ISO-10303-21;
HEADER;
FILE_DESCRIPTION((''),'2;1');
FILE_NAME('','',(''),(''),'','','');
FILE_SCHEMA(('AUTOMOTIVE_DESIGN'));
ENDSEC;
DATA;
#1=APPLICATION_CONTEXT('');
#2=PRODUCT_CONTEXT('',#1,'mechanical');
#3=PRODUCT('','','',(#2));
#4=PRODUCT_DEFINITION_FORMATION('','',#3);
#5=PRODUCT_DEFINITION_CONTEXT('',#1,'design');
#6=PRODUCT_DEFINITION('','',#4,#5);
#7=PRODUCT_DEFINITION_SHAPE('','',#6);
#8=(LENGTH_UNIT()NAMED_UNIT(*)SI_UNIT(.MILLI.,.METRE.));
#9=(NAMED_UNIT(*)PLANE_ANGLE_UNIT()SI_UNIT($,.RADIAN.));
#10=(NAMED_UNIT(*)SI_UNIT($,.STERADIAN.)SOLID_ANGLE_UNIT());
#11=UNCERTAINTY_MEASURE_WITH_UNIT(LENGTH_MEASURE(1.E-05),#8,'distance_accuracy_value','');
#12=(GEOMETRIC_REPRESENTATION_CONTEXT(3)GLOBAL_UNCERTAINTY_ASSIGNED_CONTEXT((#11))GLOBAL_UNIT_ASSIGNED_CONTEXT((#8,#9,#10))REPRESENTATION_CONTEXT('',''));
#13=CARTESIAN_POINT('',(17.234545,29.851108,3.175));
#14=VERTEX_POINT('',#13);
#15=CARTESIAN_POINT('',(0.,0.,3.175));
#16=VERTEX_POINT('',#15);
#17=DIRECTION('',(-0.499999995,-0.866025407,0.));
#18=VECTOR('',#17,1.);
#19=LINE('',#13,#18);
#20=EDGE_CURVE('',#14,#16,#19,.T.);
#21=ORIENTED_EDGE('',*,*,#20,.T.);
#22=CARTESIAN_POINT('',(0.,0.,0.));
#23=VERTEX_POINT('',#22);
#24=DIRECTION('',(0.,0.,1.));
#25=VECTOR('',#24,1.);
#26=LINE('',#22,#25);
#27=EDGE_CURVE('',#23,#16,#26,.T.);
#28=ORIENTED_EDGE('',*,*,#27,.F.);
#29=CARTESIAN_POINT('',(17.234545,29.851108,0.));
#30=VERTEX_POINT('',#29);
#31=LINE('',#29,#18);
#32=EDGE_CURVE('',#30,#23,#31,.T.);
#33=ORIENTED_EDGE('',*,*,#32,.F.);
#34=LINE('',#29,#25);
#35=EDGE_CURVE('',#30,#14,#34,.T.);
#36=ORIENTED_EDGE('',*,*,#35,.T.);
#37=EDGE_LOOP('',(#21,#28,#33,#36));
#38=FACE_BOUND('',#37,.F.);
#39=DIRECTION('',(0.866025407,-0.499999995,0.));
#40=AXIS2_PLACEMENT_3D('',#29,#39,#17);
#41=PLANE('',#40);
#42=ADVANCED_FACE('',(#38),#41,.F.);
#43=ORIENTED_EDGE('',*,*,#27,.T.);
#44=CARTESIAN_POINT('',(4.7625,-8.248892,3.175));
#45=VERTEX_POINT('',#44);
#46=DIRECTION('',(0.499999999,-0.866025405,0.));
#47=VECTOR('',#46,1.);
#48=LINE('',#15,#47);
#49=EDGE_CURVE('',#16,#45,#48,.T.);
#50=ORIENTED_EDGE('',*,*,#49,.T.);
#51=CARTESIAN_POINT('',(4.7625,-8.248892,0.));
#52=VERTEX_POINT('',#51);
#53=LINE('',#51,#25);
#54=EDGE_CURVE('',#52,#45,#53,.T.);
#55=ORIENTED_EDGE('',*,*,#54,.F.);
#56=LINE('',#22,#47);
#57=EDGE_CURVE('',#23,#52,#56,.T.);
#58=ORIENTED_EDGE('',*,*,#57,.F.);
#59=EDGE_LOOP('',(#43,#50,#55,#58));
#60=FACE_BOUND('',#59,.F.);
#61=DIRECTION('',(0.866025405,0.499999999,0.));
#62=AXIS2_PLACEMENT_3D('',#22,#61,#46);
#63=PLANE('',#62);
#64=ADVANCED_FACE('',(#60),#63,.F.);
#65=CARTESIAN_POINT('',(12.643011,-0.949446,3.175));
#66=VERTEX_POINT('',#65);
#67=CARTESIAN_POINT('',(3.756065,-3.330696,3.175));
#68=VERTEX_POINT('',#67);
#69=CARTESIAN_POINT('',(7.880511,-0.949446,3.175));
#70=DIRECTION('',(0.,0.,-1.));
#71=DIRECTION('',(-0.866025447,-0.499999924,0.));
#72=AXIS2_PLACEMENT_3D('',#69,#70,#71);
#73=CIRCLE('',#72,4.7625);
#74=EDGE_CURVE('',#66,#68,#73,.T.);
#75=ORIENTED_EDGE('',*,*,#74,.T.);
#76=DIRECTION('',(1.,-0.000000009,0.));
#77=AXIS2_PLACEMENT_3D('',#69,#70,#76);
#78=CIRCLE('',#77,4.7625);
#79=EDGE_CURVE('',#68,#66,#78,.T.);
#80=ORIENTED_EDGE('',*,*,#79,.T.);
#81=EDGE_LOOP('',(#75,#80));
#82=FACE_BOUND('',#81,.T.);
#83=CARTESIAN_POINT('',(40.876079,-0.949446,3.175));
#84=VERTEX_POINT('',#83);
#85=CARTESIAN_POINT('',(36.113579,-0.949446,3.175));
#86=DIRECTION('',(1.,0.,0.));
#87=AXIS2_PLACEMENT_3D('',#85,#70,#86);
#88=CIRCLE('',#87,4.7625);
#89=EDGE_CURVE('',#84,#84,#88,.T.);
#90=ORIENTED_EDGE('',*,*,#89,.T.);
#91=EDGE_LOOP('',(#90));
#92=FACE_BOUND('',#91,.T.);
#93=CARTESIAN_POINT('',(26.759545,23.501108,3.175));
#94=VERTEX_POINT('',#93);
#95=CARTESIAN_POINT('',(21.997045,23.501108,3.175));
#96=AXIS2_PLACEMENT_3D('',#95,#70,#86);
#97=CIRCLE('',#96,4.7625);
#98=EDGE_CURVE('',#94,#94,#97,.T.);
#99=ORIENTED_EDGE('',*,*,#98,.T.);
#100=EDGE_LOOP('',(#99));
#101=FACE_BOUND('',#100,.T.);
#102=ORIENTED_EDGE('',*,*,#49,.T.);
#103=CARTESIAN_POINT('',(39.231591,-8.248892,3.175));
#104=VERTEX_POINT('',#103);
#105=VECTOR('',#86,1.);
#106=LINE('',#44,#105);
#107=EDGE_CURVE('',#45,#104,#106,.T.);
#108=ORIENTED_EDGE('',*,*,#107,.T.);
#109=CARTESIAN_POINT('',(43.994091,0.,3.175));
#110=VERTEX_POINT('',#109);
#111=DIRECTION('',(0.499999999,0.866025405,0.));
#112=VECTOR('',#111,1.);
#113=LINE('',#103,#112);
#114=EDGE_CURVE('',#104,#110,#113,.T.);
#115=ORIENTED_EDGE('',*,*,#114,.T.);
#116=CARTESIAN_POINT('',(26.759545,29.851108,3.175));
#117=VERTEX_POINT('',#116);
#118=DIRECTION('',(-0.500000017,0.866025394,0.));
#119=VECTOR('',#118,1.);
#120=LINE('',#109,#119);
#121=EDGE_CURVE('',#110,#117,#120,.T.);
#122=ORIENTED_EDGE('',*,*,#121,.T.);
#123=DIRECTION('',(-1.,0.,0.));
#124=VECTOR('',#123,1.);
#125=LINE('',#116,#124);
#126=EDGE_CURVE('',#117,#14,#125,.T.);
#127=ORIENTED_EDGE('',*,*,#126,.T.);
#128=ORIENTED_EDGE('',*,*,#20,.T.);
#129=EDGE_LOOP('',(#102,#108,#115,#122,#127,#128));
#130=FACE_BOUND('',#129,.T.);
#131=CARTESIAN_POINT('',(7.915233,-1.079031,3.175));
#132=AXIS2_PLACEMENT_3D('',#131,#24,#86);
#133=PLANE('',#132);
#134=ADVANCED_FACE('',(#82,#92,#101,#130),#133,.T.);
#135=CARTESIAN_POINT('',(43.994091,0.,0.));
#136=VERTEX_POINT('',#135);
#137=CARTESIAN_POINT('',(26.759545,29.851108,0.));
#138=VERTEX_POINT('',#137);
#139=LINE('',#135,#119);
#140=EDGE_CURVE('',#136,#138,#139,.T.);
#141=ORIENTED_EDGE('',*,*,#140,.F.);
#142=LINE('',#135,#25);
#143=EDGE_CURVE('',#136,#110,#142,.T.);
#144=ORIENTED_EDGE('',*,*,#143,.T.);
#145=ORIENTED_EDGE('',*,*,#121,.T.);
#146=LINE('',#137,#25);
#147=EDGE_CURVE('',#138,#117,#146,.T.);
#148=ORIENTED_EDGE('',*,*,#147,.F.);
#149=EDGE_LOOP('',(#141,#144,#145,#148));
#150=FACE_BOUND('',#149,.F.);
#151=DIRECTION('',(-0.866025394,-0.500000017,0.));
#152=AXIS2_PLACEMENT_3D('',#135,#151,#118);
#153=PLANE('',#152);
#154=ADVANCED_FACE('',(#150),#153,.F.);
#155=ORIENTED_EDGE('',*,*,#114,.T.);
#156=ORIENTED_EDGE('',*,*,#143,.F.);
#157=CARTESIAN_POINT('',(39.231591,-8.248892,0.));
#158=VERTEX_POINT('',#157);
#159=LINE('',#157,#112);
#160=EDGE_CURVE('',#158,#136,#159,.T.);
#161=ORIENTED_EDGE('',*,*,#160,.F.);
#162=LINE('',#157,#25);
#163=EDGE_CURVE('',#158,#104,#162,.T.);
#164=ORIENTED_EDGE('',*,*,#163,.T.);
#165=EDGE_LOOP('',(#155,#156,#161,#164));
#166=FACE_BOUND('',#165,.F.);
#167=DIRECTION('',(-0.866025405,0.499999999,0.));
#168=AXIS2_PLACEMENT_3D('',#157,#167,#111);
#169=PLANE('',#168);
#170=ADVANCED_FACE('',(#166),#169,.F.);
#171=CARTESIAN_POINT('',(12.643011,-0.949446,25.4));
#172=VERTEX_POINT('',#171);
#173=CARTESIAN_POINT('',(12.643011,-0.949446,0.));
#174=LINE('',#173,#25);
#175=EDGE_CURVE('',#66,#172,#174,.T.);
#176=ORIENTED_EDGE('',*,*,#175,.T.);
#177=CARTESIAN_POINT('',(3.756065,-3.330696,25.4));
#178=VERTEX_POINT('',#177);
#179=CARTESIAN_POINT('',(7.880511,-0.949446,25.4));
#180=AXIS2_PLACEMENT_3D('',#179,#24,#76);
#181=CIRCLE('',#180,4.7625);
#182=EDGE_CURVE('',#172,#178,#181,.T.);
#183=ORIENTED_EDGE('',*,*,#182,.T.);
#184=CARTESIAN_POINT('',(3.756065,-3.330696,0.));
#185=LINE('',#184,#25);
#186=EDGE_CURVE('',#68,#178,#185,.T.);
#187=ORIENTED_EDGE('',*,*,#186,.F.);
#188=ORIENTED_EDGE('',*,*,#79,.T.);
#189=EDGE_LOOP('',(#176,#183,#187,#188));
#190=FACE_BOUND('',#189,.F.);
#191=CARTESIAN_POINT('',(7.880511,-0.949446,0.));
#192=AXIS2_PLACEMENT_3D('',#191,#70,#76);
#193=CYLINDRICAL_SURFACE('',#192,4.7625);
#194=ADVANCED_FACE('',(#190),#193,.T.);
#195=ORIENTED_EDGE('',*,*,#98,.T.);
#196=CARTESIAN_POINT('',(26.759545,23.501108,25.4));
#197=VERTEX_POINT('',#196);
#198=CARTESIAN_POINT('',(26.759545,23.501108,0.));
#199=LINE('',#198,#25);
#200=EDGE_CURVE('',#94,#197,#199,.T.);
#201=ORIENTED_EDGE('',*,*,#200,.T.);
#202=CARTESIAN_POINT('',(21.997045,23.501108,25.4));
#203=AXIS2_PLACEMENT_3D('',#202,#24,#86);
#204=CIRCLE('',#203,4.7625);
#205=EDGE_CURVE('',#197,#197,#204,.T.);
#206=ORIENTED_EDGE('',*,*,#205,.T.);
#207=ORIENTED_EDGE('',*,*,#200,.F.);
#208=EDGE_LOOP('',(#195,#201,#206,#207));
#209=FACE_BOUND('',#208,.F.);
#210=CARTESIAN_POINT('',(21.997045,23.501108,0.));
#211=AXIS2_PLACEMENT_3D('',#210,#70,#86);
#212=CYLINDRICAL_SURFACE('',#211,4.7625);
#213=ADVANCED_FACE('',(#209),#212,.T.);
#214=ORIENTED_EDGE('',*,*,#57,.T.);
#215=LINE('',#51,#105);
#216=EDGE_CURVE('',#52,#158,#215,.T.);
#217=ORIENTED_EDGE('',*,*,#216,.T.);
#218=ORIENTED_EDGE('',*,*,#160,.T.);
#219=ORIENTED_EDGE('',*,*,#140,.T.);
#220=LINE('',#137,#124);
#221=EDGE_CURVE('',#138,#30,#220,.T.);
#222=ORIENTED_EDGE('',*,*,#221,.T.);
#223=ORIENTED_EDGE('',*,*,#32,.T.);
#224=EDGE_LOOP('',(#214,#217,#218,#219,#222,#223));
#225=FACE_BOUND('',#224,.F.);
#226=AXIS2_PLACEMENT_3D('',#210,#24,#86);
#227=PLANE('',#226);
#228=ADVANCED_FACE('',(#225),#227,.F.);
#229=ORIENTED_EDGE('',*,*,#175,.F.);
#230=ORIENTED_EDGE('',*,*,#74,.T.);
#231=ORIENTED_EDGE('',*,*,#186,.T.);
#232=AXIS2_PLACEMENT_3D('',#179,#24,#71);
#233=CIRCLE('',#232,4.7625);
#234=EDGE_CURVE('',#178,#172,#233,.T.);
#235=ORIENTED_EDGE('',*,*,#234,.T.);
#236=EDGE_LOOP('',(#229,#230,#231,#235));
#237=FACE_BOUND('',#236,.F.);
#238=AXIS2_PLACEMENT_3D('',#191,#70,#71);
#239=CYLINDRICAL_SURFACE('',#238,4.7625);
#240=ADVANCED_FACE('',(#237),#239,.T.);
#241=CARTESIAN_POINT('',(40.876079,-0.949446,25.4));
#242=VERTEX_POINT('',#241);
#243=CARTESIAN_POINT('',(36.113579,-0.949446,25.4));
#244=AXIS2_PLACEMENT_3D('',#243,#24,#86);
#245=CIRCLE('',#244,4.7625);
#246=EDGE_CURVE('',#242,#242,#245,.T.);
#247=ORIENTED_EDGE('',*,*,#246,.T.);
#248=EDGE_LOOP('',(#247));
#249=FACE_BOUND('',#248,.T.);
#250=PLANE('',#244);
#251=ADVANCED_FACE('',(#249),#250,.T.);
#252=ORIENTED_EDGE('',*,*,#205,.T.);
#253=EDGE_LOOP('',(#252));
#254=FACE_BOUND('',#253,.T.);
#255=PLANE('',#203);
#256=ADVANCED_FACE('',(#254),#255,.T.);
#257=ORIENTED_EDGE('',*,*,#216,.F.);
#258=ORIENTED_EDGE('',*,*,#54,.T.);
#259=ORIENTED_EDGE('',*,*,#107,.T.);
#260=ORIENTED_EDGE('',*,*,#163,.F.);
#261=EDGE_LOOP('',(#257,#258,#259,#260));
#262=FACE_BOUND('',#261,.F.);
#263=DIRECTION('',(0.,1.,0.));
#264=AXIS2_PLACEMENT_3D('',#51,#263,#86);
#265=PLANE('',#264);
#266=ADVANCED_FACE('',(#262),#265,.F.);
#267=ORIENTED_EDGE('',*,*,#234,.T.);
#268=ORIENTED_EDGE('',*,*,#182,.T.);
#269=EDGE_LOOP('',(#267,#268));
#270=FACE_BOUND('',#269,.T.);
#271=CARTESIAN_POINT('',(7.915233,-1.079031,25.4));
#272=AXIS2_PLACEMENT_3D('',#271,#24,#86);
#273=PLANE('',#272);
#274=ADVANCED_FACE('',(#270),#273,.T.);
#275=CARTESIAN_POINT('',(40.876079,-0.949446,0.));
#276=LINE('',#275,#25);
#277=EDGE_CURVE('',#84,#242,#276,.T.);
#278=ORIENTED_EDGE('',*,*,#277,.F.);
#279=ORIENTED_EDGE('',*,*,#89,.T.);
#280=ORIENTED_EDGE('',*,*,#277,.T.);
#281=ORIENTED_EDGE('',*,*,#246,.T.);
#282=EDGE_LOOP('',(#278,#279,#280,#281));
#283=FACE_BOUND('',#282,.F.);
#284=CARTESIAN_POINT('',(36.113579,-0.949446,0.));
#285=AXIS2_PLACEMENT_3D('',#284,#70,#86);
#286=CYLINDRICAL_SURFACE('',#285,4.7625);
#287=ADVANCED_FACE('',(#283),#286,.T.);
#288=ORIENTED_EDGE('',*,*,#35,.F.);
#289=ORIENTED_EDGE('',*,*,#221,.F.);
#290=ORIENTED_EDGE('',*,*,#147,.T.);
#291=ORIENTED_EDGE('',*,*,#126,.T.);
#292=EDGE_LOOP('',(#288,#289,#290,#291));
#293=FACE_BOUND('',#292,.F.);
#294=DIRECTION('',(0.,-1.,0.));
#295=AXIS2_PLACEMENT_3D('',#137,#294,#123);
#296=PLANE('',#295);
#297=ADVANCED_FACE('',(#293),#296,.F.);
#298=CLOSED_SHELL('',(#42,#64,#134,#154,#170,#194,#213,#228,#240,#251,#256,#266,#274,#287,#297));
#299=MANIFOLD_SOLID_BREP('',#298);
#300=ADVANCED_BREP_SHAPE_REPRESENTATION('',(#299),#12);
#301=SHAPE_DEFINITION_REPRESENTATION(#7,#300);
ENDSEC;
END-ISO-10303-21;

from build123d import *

# Parameters (mm, degrees)
F0_R     = 4.7625
F1_DEPTH = 3.175
F2_DEPTH = 25.4


with BuildPart() as f1:
    # F0 (on Top) → F1 (new body)
    with BuildSketch(Plane.XY):
        with BuildLine():
            ThreePointArc((12.643011, -0.949446), (6.647886, 3.650776), (3.756065, -3.330696))
            ThreePointArc((3.756065, -3.330696), (9.113137, -5.549668), (12.643011, -0.949446))
        make_face()
        Polygon((17.234545, 29.851108), (0, 0), (2.38125, -4.124446), (4.7625, -8.248892), (39.231591, -8.248892), (43.994091, 0), (26.759545, 29.851108), align=None)
        with BuildLine():
            ThreePointArc((12.643011, -0.949446), (9.113137, -5.549668), (3.756065, -3.330696))
            ThreePointArc((3.756065, -3.330696), (6.647886, 3.650776), (12.643011, -0.949446))
        make_face(mode=Mode.SUBTRACT)
        with Locations((36.113579, -0.949446)):
            Circle(F0_R, mode=Mode.SUBTRACT)
        with Locations((21.997045, 23.501108)):
            Circle(F0_R, mode=Mode.SUBTRACT)
        with Locations((21.997045, 23.501108)):
            Circle(F0_R)
        with Locations((36.113579, -0.949446)):
            Circle(F0_R)
    extrude(amount=F1_DEPTH)

    # F0 (on Top) → F2 (join)
    with BuildSketch(Plane.XY):
        with Locations((21.997045, 23.501108)):
            Circle(F0_R)
        with Locations((36.113579, -0.949446)):
            Circle(F0_R)
        with BuildLine():
            ThreePointArc((12.643011, -0.949446), (6.647886, 3.650776), (3.756065, -3.330696))
            ThreePointArc((3.756065, -3.330696), (9.113137, -5.549668), (12.643011, -0.949446))
        make_face()
    extrude(amount=F2_DEPTH)


solid = f1.part
